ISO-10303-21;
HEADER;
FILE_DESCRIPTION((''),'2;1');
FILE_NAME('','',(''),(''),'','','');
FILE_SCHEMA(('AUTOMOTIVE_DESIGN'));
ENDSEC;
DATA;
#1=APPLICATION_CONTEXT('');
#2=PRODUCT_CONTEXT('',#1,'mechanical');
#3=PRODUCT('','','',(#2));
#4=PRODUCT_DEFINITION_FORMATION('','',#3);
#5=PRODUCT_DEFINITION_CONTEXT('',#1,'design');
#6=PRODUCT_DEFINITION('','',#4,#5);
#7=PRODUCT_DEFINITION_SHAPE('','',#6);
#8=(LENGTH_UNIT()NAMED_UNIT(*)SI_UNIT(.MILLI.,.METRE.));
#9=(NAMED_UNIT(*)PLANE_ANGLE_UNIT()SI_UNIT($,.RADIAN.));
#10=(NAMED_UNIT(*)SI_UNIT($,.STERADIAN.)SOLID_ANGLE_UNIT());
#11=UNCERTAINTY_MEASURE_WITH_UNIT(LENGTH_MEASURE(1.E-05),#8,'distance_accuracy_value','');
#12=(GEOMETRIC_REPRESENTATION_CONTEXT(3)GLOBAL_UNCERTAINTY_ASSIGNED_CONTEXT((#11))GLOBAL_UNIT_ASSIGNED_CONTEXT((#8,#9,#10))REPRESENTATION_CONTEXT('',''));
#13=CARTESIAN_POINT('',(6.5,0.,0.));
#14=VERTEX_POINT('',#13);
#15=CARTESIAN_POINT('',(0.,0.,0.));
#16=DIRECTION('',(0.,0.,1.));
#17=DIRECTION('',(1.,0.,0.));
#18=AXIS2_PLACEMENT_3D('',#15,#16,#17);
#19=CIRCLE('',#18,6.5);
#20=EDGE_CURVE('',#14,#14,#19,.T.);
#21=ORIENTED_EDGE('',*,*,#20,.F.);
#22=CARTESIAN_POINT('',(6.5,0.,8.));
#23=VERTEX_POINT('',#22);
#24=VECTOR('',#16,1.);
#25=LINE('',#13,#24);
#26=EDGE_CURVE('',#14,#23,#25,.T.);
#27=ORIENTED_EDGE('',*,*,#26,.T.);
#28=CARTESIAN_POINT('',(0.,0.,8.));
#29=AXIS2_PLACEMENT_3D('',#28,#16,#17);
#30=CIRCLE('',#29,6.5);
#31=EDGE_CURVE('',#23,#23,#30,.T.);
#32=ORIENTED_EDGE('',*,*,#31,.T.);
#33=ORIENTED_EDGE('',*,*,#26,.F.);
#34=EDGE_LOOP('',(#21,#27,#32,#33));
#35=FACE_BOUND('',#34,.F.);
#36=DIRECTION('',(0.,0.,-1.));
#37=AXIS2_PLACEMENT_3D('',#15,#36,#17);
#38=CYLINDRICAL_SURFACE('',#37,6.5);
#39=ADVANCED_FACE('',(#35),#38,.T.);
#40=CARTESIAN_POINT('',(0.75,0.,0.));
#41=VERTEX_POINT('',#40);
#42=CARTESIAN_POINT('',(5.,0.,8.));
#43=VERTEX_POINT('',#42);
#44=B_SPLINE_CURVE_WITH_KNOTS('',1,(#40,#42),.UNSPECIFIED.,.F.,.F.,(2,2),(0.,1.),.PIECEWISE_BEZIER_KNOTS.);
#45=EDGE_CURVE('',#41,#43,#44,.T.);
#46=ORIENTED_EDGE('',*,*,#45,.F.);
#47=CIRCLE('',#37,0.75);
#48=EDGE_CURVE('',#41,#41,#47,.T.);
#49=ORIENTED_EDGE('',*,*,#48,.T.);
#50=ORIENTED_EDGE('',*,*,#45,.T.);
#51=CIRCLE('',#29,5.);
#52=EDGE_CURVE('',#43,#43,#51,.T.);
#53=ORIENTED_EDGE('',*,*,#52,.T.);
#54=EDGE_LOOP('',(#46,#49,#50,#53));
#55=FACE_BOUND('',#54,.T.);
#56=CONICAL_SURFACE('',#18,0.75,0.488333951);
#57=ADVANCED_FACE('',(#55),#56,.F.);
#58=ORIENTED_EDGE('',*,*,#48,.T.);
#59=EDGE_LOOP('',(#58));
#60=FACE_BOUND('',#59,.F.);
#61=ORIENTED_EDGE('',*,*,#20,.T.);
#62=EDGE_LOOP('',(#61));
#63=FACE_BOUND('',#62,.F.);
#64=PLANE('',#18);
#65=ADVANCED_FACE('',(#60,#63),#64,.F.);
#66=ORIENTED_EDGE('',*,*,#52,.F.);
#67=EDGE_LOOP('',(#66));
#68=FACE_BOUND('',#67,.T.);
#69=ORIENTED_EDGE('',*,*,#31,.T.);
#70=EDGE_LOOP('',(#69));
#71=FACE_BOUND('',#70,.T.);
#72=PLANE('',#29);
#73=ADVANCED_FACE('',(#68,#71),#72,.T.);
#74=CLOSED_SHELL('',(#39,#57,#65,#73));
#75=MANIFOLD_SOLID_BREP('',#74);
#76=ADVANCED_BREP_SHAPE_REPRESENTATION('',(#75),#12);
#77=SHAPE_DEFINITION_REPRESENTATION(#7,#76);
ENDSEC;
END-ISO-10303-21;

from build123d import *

# Parameters (mm, degrees)
F0_R     = 6.5
F1_DEPTH = 8
F2_R     = 0.75
F3_R     = 5


with BuildPart() as f1:
    # F0 (on Top) → F1 (new body)
    with BuildSketch(Plane.XY):
        Circle(F0_R)
    extrude(amount=F1_DEPTH)

    # F2 (on face) → F4 section 0
    with BuildSketch(Plane(origin=(0, 0, 0), x_dir=(1, 0, 0), z_dir=(0, 0, -1))):
        Circle(F2_R)
    # F3 (on face) → F4 section 1
    with BuildSketch(Plane.XY.offset(8)):
        Circle(F3_R)
    loft(mode=Mode.SUBTRACT)


solid = f1.part
